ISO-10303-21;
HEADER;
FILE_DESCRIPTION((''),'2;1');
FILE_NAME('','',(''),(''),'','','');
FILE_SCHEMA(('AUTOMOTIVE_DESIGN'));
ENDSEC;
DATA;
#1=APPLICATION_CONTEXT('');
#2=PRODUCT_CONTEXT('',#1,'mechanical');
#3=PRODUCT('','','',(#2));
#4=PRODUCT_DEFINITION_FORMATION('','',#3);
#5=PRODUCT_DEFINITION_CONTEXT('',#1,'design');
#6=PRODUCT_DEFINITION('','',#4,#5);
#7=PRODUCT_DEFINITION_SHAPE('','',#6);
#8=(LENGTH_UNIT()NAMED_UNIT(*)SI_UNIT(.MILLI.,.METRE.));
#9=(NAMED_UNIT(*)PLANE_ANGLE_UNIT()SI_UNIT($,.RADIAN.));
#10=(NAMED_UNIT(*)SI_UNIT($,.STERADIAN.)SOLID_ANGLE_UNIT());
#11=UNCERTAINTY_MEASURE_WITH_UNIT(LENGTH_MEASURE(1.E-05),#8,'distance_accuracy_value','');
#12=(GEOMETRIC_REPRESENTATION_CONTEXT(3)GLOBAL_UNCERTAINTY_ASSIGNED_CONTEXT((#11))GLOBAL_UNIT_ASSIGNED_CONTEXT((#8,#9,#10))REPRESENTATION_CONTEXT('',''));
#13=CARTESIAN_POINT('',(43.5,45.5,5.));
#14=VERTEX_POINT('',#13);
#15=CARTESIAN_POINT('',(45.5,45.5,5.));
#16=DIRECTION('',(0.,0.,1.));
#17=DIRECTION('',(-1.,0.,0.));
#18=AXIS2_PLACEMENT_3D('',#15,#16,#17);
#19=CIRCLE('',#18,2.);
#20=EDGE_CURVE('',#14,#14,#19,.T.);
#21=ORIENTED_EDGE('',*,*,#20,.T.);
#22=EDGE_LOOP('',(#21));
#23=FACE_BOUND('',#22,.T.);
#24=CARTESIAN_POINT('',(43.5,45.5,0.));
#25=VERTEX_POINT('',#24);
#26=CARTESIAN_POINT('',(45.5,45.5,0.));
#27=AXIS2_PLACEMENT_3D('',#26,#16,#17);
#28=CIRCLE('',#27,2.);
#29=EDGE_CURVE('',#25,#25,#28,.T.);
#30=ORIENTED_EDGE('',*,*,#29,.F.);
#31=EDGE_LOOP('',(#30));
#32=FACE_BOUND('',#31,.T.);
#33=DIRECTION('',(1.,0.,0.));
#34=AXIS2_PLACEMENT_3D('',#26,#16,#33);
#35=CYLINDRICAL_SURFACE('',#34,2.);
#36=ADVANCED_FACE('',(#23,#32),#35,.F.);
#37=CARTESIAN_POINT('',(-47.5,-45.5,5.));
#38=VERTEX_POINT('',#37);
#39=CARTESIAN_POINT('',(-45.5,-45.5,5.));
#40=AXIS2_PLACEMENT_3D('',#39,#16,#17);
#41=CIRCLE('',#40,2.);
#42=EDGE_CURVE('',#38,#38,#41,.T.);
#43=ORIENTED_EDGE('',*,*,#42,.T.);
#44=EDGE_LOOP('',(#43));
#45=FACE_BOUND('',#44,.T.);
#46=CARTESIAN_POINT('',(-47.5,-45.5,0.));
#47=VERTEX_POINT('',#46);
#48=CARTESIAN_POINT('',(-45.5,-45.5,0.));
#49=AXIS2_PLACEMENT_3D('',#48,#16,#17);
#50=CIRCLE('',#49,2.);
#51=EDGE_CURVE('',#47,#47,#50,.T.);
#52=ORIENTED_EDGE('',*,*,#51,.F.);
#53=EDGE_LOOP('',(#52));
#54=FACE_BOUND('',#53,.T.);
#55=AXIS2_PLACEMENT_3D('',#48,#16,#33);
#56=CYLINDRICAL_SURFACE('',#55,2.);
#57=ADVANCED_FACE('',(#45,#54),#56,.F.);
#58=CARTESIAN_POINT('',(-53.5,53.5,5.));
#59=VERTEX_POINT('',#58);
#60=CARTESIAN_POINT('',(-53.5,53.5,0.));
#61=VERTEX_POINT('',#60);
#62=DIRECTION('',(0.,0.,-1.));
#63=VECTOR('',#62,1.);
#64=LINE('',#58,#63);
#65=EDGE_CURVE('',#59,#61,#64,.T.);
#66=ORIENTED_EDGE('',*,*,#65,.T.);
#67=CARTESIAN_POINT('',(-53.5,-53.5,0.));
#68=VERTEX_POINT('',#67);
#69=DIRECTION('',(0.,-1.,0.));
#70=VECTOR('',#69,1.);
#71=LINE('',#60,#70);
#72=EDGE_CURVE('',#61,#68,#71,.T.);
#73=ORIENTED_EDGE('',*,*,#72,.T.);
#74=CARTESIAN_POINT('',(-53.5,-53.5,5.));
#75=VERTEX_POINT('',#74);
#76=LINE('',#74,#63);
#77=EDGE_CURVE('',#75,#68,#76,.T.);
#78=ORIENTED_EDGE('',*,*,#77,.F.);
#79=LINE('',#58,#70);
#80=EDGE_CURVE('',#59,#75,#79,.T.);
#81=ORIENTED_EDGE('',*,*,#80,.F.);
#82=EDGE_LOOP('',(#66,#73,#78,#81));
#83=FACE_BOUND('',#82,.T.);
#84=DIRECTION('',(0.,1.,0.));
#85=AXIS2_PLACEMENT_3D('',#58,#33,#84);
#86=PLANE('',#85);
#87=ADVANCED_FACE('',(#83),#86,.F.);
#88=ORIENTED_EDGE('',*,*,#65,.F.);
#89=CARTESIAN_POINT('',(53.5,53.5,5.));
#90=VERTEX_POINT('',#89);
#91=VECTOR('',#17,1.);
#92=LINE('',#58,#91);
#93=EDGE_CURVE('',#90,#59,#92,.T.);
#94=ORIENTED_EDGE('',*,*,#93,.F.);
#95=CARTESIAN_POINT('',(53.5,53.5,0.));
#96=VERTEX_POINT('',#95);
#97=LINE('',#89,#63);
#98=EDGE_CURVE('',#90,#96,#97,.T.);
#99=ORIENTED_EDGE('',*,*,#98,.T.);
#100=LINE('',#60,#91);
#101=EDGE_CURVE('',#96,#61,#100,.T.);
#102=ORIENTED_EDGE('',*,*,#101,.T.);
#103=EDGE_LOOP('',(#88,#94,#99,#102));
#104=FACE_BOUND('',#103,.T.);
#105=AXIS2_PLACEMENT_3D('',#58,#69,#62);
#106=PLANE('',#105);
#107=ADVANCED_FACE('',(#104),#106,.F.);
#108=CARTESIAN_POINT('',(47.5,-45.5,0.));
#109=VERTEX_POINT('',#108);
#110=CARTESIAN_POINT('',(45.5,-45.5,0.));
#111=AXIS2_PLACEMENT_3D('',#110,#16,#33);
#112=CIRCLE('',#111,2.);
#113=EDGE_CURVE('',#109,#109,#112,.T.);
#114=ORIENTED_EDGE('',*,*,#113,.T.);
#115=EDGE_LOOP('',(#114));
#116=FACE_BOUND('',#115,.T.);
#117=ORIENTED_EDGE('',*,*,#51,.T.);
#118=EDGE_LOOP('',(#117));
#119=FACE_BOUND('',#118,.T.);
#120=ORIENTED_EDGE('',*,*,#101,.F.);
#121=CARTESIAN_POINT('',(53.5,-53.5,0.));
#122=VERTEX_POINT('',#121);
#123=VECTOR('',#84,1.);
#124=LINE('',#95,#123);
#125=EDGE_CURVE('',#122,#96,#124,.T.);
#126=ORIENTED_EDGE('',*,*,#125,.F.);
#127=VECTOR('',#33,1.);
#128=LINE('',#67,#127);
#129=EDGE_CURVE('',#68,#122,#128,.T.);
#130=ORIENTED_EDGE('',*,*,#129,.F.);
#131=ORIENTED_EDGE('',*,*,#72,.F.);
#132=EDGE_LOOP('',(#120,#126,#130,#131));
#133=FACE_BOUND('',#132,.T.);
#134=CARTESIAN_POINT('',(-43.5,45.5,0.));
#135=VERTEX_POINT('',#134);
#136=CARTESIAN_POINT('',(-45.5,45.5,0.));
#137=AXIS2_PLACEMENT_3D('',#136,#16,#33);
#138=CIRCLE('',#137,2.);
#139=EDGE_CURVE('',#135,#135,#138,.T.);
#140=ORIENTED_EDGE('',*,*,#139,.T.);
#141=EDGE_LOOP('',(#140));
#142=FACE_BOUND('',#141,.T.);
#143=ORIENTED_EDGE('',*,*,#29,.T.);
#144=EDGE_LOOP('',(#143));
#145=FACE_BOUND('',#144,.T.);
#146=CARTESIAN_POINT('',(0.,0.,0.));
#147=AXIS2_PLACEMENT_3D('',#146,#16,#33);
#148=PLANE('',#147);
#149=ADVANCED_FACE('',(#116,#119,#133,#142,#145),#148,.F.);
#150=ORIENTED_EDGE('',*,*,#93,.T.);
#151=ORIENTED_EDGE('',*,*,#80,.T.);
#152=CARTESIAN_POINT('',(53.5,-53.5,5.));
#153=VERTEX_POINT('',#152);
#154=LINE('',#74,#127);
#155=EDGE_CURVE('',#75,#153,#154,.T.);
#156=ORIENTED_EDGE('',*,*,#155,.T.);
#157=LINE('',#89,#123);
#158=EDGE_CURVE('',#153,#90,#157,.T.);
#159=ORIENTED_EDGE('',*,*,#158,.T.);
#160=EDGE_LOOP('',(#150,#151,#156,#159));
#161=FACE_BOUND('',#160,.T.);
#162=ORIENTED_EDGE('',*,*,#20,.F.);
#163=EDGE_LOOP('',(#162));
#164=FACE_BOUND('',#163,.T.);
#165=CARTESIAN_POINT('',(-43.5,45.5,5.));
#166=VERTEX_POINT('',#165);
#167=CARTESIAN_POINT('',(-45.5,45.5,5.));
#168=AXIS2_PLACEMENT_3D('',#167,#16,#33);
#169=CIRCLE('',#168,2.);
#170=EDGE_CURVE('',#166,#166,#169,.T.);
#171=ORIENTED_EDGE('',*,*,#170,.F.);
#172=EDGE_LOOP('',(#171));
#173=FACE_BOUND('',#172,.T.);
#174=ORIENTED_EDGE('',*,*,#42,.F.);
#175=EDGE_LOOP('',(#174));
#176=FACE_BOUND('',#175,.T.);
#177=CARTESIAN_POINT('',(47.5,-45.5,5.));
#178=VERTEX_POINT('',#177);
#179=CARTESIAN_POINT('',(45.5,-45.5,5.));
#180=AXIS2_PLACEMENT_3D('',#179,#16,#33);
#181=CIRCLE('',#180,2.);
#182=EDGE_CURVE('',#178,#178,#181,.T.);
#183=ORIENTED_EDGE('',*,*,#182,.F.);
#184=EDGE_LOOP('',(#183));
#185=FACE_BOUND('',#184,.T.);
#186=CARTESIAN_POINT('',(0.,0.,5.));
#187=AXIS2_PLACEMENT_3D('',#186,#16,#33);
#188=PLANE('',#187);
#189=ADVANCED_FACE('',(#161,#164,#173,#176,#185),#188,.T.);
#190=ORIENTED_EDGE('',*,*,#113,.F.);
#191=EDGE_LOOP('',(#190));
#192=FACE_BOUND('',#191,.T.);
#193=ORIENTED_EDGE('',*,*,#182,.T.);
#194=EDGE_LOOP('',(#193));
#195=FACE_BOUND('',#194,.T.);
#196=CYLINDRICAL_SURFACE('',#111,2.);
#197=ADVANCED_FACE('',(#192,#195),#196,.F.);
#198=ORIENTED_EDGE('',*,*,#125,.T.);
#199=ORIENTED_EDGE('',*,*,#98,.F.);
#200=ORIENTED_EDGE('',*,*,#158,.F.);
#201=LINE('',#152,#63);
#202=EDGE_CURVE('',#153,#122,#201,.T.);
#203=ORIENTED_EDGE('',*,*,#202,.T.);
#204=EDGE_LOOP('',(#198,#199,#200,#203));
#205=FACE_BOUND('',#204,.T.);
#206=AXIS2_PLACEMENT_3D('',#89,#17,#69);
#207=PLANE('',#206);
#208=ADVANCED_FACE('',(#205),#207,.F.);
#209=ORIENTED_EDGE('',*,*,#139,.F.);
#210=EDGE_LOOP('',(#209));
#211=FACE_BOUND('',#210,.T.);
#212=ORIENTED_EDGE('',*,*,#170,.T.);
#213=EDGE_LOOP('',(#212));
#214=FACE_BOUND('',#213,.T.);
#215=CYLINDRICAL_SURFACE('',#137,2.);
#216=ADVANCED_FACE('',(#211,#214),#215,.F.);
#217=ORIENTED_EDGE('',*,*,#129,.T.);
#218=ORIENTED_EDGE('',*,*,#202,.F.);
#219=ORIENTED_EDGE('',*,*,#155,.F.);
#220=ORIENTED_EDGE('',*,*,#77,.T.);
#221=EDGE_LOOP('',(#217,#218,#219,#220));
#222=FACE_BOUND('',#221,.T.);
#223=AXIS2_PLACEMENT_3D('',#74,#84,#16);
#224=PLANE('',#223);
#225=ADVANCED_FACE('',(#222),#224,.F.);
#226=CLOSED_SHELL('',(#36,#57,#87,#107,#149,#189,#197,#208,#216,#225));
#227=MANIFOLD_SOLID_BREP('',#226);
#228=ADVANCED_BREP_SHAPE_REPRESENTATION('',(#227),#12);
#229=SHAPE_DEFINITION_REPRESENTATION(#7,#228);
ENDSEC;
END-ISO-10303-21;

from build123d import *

# Parameters (mm, degrees)
SKETCH1_W           = 107
SKETCH1_H           = 107
BOSS_EXTRUDE1_DEPTH = 5
SKETCH2_R           = 2
CUT_EXTRUDE1_DEPTH  = 5


with BuildPart() as part:
    # Sketch1 → Boss-Extrude1 (new body)
    with BuildSketch(Plane.XY):
        Rectangle(SKETCH1_W, SKETCH1_H)
    extrude(amount=BOSS_EXTRUDE1_DEPTH)

    # Sketch2 → Cut-Extrude1 (cut)
    with BuildSketch(Plane.XY.offset(5)):
        with Locations((-45.5, 45.5)):
            Circle(SKETCH2_R)
        with Locations(Location((-45.5, -45.5, 0), (0, 0, 180))):
            Circle(SKETCH2_R)
        with Locations((45.5, -45.5)):
            Circle(SKETCH2_R)
        with Locations(Location((45.5, 45.5, 0), (0, 0, 180))):
            Circle(SKETCH2_R)
    extrude(amount=-CUT_EXTRUDE1_DEPTH, mode=Mode.SUBTRACT)


solid = part.part
